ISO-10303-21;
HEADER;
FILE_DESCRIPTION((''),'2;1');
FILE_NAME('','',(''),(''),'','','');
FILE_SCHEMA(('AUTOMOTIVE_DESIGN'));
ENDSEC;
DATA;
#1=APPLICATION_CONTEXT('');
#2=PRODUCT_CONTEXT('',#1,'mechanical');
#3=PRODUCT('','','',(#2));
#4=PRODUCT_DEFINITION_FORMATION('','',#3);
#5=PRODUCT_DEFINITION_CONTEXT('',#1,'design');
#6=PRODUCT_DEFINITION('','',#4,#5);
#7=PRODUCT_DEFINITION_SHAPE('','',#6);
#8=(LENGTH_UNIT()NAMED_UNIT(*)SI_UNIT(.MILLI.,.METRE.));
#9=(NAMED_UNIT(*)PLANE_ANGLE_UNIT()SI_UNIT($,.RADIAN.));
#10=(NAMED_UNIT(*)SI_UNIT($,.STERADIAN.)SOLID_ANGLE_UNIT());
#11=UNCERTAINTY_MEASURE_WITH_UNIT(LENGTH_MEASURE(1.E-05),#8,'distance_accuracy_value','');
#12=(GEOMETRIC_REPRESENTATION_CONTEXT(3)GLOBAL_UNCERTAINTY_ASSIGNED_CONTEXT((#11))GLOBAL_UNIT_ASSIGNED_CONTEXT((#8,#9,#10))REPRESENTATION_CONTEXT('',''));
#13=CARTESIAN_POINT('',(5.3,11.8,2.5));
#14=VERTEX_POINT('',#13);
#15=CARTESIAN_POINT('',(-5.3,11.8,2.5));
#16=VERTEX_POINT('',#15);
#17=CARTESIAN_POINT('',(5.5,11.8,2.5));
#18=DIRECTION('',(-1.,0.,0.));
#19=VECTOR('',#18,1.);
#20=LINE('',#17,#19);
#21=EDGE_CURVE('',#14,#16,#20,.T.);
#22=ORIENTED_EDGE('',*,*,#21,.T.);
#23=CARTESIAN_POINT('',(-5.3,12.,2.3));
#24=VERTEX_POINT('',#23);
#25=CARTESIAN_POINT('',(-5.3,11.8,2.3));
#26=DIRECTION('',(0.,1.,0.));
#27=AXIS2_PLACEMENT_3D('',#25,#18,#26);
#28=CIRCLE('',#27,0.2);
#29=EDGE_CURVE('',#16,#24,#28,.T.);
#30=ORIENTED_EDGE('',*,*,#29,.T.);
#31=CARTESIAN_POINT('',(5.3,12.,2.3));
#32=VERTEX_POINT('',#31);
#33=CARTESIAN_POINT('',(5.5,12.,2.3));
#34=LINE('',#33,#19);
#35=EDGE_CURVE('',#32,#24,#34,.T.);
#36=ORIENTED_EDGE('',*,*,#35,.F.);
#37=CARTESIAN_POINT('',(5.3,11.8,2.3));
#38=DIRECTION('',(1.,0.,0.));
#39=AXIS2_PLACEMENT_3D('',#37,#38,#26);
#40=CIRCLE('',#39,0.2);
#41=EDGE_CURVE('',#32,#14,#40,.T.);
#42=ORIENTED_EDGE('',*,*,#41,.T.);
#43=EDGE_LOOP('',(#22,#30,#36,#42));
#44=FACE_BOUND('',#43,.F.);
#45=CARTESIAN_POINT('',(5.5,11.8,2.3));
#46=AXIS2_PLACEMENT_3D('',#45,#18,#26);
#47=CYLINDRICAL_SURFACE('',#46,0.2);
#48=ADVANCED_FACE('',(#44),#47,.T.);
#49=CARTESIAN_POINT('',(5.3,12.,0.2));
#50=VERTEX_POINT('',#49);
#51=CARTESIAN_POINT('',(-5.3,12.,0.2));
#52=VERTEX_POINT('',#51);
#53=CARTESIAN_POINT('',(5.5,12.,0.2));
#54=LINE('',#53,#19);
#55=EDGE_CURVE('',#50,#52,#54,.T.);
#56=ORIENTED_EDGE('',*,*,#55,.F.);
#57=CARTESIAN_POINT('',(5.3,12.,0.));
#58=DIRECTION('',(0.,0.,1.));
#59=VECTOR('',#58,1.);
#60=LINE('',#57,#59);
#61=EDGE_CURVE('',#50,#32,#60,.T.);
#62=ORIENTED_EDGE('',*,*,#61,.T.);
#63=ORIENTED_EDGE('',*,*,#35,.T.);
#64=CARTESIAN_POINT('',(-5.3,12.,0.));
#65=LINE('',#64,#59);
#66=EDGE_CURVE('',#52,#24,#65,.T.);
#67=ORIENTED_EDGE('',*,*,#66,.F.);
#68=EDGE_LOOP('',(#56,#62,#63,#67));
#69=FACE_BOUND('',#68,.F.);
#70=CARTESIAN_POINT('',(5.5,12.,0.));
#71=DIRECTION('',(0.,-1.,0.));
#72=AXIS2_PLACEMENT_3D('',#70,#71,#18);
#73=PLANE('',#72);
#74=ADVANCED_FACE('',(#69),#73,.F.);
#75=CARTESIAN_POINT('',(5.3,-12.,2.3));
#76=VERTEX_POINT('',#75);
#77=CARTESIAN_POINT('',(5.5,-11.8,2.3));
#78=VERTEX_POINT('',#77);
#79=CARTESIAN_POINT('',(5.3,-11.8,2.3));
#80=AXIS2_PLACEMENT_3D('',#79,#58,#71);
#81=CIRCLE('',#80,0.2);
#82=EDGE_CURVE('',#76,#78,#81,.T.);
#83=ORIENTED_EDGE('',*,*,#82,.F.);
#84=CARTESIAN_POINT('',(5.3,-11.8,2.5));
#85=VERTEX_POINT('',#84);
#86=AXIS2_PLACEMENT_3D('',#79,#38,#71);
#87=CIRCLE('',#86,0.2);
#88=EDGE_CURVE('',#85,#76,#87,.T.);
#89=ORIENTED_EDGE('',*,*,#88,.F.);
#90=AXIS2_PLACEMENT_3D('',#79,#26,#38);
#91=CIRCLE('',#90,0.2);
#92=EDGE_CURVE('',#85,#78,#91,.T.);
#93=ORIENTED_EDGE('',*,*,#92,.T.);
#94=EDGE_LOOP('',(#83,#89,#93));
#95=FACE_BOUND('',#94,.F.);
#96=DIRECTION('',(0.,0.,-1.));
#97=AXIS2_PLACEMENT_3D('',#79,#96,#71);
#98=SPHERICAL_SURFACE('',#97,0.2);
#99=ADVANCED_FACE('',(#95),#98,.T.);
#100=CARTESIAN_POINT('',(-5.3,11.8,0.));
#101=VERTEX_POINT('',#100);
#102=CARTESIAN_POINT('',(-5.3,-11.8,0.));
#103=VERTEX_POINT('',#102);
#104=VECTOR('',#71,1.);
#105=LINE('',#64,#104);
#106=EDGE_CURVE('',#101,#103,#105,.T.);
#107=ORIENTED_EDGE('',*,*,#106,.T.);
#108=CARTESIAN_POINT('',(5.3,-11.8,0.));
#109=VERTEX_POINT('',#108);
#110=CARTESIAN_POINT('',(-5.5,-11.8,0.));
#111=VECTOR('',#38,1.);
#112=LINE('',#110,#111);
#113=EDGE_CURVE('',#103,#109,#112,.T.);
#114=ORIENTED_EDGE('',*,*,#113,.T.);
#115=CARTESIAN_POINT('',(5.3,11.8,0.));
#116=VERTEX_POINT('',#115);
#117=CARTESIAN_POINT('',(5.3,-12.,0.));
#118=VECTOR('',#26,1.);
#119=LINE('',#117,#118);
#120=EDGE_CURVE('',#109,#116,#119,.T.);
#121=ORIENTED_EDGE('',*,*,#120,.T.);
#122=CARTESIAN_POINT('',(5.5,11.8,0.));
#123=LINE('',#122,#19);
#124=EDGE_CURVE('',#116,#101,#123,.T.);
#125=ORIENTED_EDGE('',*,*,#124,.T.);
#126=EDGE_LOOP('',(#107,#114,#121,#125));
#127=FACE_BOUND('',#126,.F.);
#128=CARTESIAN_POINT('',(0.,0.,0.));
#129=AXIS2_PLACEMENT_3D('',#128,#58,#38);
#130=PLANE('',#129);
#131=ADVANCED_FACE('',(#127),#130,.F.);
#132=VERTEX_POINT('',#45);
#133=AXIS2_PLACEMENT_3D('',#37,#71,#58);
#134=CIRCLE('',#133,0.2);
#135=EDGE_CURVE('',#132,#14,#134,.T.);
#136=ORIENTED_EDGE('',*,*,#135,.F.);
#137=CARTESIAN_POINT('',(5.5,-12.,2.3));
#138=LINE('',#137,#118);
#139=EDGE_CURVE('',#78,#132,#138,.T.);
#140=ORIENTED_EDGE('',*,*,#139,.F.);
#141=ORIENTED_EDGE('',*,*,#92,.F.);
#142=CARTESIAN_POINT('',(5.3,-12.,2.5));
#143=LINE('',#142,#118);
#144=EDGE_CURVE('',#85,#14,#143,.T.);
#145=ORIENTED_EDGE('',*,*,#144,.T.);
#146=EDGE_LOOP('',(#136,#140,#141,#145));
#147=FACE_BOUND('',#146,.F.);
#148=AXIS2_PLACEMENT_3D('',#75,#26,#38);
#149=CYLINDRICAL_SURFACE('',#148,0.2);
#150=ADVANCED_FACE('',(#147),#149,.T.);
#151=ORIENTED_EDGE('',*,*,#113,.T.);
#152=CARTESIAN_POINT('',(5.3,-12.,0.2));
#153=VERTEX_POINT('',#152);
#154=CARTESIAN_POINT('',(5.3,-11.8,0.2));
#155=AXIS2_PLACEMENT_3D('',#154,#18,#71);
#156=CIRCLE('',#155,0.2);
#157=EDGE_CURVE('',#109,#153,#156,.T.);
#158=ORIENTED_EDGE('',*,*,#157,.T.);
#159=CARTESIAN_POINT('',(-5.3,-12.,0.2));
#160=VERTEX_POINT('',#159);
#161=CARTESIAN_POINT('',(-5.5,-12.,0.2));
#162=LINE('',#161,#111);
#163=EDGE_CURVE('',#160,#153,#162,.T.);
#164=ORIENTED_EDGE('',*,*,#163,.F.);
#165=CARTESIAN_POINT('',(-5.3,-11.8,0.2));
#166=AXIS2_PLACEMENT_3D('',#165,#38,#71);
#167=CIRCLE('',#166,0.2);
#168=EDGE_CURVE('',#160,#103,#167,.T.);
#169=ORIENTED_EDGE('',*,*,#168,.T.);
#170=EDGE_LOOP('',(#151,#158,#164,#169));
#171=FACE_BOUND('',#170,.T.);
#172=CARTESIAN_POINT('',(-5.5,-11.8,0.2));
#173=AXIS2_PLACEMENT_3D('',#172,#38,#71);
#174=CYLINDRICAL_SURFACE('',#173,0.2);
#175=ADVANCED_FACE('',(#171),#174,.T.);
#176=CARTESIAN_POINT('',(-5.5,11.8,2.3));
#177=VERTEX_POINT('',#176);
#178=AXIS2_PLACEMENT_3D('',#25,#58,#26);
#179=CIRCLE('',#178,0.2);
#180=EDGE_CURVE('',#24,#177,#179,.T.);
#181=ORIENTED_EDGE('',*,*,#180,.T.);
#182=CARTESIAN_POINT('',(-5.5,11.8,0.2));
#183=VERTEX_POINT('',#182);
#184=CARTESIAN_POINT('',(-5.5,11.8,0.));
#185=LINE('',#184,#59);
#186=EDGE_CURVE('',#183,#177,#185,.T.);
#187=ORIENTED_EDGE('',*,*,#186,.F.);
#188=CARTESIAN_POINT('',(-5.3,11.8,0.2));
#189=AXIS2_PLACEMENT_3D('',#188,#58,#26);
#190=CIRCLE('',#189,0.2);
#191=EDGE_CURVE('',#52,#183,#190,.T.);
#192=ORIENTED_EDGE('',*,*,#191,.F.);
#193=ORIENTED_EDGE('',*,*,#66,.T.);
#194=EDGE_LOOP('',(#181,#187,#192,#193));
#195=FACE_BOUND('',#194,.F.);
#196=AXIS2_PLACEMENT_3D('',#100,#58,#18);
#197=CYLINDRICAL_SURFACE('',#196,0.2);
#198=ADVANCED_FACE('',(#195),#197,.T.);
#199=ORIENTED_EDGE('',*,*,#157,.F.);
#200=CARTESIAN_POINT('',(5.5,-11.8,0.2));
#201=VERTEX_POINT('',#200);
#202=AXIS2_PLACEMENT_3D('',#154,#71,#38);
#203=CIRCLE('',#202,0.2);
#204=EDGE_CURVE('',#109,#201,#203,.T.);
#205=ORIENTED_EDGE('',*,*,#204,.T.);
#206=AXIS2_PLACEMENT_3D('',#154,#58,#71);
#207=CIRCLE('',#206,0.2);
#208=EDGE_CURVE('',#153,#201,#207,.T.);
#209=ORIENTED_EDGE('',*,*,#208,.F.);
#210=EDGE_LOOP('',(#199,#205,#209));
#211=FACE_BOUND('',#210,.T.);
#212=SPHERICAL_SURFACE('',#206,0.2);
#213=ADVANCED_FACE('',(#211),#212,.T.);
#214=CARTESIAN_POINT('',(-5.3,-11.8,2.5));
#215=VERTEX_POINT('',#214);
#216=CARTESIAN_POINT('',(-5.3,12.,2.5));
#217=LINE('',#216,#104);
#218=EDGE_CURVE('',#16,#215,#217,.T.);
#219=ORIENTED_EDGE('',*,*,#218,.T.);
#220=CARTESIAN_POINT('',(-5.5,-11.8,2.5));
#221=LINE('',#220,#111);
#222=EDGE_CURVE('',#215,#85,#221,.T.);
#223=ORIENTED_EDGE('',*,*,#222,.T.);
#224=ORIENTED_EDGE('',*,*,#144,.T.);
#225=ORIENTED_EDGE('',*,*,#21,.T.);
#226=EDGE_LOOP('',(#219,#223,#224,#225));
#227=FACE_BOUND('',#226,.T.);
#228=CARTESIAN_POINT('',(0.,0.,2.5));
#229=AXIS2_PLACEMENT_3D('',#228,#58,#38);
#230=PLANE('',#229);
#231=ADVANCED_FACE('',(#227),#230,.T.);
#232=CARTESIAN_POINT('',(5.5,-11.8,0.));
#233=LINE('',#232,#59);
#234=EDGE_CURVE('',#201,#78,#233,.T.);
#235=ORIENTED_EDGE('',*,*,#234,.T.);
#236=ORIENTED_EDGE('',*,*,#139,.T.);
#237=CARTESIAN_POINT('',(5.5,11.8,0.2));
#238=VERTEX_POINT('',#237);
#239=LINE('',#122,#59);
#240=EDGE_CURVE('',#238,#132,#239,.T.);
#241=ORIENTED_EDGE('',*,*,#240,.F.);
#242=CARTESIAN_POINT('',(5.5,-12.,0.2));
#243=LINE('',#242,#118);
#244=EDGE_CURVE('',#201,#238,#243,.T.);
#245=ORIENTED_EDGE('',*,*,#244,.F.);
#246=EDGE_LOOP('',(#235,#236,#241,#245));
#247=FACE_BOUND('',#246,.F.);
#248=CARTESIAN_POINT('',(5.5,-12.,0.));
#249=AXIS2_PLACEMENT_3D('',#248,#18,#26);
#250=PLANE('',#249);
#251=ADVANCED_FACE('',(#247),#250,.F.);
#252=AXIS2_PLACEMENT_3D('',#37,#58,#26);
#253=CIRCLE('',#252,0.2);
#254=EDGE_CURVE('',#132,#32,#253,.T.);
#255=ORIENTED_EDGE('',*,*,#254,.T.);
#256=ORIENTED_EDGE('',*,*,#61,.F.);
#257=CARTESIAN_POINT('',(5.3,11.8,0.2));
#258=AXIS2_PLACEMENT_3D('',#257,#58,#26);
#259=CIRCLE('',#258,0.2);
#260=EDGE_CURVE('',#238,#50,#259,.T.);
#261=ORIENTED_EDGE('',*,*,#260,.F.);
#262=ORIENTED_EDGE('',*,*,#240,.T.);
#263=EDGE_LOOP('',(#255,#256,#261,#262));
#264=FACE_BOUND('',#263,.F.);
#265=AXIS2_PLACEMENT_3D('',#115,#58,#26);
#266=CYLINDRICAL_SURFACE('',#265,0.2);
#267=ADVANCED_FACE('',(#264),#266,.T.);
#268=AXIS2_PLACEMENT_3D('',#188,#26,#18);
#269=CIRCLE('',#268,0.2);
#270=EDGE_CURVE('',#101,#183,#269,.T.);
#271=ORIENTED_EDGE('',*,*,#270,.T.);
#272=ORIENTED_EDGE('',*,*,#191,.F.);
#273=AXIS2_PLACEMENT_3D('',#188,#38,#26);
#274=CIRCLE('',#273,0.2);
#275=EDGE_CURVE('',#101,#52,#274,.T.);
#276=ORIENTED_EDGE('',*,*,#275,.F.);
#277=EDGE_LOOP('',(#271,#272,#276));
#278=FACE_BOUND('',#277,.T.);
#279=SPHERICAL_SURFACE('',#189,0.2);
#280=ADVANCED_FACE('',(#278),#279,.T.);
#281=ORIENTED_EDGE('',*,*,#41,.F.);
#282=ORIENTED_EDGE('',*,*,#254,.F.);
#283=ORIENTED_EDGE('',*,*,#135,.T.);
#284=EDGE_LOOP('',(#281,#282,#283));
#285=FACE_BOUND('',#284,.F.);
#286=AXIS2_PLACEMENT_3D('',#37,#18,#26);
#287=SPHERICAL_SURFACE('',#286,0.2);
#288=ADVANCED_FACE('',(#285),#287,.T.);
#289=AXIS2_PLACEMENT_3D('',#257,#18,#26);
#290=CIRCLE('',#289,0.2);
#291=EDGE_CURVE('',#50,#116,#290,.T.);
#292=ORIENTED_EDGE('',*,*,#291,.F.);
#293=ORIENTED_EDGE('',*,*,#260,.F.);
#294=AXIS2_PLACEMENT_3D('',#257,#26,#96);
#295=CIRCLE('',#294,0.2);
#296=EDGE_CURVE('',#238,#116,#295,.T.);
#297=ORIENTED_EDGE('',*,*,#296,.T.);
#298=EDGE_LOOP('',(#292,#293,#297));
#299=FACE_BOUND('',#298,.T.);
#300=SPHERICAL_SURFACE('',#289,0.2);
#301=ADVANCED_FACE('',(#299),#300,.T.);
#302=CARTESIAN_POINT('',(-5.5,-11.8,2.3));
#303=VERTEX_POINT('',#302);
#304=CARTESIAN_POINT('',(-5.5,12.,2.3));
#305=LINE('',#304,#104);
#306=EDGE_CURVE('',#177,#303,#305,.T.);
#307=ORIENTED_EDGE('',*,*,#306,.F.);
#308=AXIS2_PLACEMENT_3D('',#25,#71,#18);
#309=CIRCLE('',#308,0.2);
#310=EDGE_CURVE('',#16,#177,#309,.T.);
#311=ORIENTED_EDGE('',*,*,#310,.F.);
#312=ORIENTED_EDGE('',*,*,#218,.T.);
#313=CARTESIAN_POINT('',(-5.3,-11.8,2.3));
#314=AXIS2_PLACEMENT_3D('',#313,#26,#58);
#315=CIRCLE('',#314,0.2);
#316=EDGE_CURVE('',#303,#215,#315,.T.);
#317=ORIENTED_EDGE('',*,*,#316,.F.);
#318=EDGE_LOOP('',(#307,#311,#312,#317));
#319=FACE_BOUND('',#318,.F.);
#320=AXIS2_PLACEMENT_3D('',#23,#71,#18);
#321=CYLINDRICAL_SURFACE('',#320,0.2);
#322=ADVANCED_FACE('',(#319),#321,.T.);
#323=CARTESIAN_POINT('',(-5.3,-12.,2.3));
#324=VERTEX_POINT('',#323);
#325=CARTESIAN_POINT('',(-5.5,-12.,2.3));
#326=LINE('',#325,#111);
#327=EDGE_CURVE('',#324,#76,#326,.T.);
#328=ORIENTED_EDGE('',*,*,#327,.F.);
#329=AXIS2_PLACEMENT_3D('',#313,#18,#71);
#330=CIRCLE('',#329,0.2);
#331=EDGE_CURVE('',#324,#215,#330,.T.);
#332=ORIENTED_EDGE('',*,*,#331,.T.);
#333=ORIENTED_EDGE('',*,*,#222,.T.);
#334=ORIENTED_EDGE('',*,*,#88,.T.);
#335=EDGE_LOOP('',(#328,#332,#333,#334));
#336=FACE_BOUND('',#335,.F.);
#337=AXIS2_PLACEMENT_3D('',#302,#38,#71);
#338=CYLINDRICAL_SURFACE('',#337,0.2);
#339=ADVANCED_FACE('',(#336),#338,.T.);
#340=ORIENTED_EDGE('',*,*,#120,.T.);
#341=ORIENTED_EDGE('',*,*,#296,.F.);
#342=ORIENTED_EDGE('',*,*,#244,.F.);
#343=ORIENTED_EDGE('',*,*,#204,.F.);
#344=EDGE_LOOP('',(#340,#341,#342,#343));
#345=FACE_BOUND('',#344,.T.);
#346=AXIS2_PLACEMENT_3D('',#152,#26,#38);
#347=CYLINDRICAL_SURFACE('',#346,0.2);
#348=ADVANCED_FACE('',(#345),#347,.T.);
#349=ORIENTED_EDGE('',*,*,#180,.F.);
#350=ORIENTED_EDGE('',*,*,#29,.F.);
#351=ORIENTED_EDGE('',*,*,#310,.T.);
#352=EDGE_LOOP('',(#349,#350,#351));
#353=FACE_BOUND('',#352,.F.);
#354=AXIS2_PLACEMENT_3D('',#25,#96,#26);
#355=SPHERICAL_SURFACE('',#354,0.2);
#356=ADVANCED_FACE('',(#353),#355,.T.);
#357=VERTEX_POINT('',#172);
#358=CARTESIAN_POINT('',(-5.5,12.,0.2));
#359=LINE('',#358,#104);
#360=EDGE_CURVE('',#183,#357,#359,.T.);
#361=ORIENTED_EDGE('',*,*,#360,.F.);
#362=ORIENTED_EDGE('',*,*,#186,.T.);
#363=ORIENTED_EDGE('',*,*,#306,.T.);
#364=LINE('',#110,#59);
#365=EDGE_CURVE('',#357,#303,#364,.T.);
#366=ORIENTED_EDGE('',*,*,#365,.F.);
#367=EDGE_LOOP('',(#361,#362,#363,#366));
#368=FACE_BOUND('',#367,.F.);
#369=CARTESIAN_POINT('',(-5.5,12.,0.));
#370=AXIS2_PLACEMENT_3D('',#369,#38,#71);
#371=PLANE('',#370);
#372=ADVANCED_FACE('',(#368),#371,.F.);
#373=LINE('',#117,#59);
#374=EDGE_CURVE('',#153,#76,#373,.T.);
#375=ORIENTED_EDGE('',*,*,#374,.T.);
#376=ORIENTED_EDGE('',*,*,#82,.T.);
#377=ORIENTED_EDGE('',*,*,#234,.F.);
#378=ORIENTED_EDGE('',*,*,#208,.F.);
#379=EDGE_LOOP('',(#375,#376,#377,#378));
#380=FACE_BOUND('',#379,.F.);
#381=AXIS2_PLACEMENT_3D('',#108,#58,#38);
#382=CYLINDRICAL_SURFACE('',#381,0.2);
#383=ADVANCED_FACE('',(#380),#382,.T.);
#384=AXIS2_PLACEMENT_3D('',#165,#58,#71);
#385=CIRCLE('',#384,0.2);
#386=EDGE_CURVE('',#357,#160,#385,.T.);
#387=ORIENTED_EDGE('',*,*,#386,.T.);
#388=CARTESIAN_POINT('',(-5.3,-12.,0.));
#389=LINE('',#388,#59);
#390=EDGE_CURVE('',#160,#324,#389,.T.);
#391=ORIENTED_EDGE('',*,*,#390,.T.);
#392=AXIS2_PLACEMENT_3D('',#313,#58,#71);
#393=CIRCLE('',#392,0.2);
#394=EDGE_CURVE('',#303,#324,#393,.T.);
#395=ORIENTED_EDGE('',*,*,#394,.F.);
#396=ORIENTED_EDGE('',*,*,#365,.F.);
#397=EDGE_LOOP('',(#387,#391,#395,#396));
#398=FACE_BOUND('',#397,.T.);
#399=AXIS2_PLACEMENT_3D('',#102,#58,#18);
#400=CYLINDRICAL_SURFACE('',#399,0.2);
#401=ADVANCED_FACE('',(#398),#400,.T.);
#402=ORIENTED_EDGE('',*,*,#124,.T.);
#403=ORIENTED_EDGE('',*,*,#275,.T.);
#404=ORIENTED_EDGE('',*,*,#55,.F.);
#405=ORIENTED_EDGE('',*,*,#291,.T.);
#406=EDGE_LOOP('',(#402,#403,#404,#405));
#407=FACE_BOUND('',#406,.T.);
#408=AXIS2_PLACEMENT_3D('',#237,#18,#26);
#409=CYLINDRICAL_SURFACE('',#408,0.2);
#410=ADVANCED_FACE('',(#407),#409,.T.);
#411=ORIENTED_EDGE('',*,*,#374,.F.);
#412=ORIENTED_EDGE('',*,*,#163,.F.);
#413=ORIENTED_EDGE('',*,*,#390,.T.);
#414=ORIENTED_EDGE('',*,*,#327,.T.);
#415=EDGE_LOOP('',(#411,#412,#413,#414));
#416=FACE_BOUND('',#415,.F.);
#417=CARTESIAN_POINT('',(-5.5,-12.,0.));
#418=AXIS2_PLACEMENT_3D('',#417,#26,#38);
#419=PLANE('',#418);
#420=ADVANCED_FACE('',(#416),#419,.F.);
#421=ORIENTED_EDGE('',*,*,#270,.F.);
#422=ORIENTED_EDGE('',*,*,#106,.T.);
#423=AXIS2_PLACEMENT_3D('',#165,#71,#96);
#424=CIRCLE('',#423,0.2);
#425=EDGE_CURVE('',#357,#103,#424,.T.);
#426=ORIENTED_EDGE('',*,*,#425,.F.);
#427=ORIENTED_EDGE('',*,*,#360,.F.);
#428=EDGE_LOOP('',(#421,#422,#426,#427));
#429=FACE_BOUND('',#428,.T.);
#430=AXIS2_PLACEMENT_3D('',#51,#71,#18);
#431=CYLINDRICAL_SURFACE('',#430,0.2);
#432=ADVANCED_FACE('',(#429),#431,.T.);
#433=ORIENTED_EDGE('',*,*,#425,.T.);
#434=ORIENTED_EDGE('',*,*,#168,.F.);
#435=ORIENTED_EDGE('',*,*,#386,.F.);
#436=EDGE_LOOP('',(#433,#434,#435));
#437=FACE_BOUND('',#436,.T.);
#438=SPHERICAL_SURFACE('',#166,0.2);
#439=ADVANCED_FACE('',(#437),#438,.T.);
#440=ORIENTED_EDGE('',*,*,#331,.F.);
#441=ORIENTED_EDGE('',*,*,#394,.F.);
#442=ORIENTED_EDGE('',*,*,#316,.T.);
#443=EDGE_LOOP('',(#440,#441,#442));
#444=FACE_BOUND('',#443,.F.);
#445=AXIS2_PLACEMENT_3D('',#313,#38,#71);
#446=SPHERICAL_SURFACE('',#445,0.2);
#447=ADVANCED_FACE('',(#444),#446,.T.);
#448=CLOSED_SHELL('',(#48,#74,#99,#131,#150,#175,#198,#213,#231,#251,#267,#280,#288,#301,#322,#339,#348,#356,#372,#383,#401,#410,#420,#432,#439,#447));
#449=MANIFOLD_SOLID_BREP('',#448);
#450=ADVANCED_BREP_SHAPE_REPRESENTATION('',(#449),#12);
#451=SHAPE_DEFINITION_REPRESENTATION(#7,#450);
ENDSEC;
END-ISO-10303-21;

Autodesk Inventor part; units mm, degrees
ref_plane "YZ Plane" through (0, 0, 0) normal (1, 0, 0) x (0, 1, 0)
ref_plane "XZ Plane" through (0, 0, 0) normal (0, 1, 0) x (-1, 0, 0)
ref_plane "XY Plane" through (0, 0, 0) normal (0, 0, 1) x (1, 0, 0)
sketch "Sketch1" plane through (0, 0, 0) normal (0, 0, 1) x (1, 0, 0)
  line L0 (-5.5, -12) -> (5.5, -12)
  line L1 (5.5, -12) -> (5.5, 12)
  line L2 (5.5, 12) -> (-5.5, 12)
  line L3 (-5.5, 12) -> (-5.5, -12)
  line L4 (-5.5, -12) -> (5.5, 12) construction
  line L5 (5.5, -12) -> (-5.5, 12) construction
  point P0 (0, 0)
  dimension "d0" = 11
  dimension "d1" = 24
extrude "Extrusion1" add sketch "Sketch1" along normal blind 2.5
fillet "Fillet1" radius 0.2 12 edges at (-5.5, 12, 1.25) (0, 12, 0) (0, 12, 2.5) (5.5, 12, 1.25) (5.5, -12, 1.25) (0, -12, 2.5) (0, -12, 0) (-5.5, -12, 1.25) (-5.5, 0, 2.5) (5.5, 0, 2.5) (5.5, 0, 0) (-5.5, 0, 0)
properties part number "magnet_11x24-x2_5"
